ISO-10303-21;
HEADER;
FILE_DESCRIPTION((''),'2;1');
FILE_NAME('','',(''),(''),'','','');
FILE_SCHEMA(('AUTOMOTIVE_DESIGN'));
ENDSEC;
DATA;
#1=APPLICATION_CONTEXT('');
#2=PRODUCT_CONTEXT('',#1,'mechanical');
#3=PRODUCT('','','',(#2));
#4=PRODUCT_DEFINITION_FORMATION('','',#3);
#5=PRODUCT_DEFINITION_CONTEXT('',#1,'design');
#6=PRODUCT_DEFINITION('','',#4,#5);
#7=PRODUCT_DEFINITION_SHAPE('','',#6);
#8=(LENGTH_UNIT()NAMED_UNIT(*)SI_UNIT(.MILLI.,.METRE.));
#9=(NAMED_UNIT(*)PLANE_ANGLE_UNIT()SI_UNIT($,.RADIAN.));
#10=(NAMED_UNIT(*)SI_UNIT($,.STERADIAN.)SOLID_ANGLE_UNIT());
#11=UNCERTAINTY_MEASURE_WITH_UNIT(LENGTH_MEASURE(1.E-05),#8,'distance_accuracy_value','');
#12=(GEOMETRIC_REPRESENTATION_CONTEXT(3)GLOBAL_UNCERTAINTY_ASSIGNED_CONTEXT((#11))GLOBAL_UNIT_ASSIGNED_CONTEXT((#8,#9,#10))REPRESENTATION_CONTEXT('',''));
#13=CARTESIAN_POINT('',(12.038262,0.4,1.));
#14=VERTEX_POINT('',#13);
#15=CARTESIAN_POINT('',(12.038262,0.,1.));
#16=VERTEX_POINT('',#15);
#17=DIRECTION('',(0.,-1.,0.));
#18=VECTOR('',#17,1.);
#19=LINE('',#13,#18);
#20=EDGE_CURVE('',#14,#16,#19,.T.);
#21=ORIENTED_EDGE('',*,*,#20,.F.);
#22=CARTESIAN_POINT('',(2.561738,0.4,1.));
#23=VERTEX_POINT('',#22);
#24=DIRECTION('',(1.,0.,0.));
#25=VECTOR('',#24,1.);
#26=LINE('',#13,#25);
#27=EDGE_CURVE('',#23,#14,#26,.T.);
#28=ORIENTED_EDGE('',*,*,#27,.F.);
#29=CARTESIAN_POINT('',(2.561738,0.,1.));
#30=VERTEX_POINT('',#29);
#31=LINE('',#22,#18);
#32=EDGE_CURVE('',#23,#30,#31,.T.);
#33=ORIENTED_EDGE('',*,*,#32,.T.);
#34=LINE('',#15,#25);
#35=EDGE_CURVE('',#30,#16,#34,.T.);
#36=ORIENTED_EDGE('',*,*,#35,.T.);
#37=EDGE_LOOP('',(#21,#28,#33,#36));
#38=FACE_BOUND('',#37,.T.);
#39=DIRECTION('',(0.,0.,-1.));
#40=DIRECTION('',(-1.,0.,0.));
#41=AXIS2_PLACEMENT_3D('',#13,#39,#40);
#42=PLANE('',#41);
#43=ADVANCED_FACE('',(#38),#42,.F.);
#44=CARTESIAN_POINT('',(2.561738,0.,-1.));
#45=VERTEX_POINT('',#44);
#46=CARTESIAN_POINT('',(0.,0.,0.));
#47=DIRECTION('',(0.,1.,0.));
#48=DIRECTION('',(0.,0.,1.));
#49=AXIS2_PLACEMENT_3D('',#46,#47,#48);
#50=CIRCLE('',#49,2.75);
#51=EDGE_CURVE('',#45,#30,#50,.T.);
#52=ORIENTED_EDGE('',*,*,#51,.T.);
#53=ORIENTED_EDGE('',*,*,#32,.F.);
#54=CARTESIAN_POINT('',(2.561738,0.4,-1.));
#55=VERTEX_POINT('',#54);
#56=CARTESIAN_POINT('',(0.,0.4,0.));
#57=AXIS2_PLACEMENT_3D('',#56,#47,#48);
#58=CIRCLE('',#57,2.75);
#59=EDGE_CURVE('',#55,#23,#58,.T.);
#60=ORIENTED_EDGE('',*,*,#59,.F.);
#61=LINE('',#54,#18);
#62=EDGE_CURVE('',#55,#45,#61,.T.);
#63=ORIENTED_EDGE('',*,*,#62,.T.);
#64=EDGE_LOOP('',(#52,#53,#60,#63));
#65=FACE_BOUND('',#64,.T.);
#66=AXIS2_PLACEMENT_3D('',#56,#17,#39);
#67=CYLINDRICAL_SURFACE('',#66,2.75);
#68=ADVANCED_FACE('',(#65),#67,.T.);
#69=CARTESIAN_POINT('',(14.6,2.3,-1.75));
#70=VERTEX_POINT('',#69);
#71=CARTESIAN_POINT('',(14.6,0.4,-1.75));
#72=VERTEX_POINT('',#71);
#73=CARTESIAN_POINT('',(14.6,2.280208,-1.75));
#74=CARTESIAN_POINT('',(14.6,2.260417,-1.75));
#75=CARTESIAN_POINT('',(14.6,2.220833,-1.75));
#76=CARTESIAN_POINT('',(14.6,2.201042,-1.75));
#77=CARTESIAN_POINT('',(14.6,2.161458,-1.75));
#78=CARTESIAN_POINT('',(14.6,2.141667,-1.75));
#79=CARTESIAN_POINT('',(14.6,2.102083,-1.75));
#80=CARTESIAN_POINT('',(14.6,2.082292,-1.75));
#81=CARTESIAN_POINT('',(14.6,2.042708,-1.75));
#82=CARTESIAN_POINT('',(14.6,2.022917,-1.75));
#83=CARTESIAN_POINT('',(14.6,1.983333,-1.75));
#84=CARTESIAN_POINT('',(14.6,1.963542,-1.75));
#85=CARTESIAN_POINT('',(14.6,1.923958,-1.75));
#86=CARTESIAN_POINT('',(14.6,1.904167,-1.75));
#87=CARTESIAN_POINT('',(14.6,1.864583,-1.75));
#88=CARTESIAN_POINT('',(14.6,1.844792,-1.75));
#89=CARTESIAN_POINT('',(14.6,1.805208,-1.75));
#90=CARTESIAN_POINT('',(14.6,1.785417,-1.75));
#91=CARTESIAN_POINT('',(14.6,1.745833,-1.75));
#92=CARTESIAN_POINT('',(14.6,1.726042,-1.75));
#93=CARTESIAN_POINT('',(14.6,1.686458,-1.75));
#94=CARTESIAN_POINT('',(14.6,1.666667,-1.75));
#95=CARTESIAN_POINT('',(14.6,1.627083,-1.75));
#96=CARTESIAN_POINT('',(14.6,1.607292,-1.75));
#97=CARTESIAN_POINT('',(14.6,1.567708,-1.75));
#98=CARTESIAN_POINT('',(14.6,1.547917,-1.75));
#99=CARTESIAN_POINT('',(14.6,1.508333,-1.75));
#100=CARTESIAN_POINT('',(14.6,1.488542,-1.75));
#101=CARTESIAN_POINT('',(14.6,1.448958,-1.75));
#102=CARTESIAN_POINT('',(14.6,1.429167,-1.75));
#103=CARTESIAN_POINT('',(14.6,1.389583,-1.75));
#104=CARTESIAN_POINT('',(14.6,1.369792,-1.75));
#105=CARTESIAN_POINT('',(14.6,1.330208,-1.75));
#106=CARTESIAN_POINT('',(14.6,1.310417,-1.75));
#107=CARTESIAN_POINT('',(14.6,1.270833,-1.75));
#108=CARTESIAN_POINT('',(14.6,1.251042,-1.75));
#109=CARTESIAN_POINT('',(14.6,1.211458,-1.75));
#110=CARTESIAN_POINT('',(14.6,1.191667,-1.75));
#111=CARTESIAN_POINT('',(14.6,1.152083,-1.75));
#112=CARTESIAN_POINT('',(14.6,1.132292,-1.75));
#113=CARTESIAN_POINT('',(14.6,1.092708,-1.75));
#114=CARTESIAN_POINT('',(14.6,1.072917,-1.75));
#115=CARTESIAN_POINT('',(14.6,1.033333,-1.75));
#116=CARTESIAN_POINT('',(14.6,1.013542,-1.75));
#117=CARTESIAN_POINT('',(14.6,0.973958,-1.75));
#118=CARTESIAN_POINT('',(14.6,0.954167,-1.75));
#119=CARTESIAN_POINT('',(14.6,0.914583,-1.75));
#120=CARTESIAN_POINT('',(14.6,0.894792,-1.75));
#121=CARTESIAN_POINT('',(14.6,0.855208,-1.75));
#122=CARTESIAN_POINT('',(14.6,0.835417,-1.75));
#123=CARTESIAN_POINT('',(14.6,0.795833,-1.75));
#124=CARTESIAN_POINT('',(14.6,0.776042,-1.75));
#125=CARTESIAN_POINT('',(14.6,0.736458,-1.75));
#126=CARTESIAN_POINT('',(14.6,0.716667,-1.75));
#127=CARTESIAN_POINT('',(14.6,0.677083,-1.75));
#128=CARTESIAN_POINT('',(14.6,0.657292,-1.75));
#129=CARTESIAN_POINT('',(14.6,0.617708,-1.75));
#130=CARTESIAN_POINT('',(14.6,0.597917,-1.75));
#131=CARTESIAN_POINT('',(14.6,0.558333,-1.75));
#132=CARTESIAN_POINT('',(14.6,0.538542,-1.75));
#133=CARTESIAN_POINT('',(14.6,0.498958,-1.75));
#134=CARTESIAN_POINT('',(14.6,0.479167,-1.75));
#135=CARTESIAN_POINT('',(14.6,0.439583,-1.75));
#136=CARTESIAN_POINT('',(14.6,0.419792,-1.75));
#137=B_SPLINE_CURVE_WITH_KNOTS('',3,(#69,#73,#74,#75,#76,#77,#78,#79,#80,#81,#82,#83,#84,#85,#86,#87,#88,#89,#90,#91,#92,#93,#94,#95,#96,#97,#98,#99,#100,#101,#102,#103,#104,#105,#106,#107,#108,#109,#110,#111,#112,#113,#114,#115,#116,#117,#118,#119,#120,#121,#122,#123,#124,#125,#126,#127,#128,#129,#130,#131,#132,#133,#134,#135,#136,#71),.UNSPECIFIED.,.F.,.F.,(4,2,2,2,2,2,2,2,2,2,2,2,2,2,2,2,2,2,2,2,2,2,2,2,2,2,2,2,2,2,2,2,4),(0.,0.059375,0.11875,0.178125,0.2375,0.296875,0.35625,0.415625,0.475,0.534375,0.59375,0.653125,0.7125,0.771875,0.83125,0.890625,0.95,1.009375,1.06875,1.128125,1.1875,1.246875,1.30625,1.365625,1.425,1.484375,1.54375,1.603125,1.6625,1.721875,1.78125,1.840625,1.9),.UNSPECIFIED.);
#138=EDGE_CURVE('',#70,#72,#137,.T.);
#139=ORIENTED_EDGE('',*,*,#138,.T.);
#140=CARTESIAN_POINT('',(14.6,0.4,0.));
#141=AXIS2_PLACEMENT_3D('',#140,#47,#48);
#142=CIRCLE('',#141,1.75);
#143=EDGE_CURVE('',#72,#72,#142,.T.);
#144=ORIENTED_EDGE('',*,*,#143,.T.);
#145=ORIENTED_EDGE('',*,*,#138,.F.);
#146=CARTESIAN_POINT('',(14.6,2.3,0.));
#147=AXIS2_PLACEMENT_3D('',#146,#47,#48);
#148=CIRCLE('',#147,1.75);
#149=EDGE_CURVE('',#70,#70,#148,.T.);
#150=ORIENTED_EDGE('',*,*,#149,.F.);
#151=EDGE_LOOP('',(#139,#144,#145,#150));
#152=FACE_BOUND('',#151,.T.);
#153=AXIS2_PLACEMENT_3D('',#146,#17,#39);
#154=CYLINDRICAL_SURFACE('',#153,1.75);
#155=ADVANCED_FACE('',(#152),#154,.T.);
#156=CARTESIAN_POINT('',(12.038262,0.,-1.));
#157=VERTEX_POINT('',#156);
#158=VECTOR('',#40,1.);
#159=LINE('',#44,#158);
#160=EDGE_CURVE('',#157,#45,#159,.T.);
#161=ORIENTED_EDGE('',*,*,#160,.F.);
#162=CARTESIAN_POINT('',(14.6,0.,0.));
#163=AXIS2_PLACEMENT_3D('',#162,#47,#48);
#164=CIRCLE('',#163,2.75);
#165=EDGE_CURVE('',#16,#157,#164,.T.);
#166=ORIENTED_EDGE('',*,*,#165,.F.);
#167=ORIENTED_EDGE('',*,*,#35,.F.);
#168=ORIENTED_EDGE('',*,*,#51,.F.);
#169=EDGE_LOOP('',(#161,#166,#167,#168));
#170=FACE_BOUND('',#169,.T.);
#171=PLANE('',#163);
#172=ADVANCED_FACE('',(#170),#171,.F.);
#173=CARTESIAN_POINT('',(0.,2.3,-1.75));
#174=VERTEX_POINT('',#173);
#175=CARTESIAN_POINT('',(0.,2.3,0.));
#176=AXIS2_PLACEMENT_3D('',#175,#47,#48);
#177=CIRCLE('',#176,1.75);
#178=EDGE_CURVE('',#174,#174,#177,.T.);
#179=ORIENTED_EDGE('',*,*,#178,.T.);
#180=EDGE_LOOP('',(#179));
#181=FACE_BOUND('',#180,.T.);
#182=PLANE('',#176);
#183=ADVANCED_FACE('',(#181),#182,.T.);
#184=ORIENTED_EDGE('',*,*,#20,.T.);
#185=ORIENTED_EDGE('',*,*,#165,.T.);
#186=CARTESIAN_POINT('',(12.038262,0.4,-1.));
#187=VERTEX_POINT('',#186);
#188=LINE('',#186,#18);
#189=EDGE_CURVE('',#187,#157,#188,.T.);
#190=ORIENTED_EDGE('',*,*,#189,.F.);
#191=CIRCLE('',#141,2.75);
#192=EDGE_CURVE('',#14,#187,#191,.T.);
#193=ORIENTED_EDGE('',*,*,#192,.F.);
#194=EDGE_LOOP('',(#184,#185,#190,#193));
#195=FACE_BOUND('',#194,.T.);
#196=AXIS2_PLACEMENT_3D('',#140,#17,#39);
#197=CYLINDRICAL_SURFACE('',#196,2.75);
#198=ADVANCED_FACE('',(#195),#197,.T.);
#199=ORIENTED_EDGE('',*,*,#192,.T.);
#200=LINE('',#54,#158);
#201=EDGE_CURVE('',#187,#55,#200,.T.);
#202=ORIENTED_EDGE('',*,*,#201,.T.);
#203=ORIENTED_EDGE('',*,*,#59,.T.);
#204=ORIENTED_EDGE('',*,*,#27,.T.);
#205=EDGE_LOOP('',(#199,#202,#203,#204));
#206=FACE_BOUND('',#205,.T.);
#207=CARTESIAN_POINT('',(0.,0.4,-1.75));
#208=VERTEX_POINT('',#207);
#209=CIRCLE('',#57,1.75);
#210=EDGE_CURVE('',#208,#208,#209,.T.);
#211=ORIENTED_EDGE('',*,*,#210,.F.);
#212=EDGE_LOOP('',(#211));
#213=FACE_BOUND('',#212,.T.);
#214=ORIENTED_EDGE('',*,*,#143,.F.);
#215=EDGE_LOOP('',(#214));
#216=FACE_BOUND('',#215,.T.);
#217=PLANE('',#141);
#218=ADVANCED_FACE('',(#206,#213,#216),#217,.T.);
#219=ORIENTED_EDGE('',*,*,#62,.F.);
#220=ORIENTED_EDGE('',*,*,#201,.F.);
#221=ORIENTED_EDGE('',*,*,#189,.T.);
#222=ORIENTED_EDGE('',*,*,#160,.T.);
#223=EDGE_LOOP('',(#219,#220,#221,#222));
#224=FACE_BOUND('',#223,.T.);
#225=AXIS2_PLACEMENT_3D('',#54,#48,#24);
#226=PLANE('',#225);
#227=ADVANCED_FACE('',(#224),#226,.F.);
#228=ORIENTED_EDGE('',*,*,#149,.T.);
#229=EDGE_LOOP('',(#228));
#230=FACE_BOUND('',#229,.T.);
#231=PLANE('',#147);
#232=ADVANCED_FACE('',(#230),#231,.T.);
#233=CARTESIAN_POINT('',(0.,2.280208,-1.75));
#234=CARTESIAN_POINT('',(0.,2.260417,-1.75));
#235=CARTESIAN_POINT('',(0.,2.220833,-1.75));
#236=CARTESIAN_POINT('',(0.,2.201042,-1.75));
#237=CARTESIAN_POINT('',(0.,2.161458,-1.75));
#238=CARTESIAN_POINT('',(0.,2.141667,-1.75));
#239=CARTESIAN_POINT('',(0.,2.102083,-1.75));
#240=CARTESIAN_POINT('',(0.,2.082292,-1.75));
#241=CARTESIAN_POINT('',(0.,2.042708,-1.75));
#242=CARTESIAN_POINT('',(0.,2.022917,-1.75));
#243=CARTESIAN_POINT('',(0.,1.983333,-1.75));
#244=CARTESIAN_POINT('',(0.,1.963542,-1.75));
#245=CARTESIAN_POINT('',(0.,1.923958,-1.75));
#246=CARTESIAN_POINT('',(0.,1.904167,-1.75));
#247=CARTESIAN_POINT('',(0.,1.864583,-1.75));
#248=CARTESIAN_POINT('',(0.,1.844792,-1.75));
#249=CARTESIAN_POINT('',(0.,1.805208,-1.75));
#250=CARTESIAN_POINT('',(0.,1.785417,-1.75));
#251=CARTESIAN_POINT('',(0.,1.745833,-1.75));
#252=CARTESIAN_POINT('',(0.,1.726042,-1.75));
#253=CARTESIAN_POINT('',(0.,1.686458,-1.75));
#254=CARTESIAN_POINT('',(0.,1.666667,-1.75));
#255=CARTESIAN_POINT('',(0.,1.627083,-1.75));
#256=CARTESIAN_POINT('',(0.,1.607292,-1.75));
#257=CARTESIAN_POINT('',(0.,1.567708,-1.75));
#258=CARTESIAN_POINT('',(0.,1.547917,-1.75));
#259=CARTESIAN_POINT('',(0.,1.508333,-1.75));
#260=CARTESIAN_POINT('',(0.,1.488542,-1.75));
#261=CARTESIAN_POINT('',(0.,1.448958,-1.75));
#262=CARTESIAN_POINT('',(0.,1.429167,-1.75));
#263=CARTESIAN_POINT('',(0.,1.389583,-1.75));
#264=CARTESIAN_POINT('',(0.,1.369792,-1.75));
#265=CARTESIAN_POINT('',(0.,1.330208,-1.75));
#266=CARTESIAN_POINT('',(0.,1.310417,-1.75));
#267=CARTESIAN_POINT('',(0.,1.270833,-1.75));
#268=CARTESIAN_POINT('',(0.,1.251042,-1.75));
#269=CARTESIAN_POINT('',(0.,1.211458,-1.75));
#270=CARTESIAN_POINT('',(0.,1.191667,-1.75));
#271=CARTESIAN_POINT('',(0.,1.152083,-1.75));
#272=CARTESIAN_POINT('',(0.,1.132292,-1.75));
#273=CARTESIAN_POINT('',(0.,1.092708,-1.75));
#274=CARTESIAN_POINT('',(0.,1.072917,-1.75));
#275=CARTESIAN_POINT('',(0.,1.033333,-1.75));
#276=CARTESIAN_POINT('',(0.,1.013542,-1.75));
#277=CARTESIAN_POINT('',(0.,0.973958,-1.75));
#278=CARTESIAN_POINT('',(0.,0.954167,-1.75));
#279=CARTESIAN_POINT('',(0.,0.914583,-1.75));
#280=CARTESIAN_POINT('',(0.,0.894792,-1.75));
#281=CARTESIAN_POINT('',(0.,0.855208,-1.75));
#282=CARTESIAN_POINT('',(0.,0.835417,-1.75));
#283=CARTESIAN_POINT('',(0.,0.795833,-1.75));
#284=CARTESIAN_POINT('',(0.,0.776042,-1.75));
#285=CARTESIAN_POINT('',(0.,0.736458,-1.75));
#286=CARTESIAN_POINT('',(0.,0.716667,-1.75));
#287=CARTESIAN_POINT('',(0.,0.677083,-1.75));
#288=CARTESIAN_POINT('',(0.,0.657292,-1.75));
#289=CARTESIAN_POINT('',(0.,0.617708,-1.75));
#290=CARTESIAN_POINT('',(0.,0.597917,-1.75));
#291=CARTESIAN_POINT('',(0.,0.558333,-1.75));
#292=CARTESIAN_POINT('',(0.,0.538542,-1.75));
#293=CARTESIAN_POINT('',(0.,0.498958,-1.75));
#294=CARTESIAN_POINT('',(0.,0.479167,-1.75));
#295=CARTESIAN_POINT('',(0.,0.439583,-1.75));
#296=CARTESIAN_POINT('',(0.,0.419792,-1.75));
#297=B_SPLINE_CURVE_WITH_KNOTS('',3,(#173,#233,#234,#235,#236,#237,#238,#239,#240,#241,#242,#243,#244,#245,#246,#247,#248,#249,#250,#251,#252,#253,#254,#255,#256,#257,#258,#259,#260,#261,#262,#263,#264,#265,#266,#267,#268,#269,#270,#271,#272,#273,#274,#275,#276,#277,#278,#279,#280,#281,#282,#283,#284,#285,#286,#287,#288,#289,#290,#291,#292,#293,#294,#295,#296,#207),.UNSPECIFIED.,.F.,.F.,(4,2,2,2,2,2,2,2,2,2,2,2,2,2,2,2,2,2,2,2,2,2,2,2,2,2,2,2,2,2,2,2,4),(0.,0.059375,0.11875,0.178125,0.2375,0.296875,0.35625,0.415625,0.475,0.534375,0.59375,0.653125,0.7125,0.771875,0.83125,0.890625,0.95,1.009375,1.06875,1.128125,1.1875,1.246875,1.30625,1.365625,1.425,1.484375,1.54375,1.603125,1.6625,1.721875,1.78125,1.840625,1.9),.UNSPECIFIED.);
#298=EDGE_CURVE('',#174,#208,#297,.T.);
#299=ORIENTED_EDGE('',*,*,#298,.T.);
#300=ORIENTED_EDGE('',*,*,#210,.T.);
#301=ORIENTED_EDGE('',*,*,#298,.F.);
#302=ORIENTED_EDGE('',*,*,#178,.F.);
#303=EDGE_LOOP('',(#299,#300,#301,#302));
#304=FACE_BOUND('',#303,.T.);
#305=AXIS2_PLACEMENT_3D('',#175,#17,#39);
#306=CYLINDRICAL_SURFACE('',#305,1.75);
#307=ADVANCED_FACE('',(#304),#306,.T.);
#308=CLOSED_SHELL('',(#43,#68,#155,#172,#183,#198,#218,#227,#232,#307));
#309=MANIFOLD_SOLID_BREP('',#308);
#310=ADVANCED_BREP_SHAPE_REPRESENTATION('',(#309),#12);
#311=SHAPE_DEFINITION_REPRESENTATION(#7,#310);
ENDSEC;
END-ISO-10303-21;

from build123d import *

# Parameters (mm, degrees)
BOSS_EXTRUDE1_DEPTH = 0.4
SKETCH2_R           = 1.75
BOSS_EXTRUDE2_DEPTH = 1.9


with BuildPart() as part:
    # Sketch1 → Boss-Extrude1 (new body)
    with BuildSketch(Plane(origin=(0, 0, 0), x_dir=(1, 0, 0), z_dir=(0, 1, 0))):
        with BuildLine():
            Line((2.561737691, 1), (12.038262309, 1))
            ThreePointArc((12.038262309, 1), (17.35, 0), (12.038262309, -1))
            Line((12.038262309, -1), (2.561737691, -1))
            ThreePointArc((2.561737691, -1), (-2.75, 0), (2.561737691, 1))
        make_face()
    extrude(amount=BOSS_EXTRUDE1_DEPTH)

    # Sketch2 → Boss-Extrude2 (add)
    with BuildSketch(Plane(origin=(0, 0.4, 0), x_dir=(1, 0, 0), z_dir=(0, 1, 0))):
        with Locations(Location((0, 0, 0), (0, 0, 90))):
            Circle(SKETCH2_R)
        with Locations(Location((14.6, 0, 0), (0, 0, 90))):
            Circle(SKETCH2_R)
    extrude(amount=BOSS_EXTRUDE2_DEPTH)


solid = part.part
